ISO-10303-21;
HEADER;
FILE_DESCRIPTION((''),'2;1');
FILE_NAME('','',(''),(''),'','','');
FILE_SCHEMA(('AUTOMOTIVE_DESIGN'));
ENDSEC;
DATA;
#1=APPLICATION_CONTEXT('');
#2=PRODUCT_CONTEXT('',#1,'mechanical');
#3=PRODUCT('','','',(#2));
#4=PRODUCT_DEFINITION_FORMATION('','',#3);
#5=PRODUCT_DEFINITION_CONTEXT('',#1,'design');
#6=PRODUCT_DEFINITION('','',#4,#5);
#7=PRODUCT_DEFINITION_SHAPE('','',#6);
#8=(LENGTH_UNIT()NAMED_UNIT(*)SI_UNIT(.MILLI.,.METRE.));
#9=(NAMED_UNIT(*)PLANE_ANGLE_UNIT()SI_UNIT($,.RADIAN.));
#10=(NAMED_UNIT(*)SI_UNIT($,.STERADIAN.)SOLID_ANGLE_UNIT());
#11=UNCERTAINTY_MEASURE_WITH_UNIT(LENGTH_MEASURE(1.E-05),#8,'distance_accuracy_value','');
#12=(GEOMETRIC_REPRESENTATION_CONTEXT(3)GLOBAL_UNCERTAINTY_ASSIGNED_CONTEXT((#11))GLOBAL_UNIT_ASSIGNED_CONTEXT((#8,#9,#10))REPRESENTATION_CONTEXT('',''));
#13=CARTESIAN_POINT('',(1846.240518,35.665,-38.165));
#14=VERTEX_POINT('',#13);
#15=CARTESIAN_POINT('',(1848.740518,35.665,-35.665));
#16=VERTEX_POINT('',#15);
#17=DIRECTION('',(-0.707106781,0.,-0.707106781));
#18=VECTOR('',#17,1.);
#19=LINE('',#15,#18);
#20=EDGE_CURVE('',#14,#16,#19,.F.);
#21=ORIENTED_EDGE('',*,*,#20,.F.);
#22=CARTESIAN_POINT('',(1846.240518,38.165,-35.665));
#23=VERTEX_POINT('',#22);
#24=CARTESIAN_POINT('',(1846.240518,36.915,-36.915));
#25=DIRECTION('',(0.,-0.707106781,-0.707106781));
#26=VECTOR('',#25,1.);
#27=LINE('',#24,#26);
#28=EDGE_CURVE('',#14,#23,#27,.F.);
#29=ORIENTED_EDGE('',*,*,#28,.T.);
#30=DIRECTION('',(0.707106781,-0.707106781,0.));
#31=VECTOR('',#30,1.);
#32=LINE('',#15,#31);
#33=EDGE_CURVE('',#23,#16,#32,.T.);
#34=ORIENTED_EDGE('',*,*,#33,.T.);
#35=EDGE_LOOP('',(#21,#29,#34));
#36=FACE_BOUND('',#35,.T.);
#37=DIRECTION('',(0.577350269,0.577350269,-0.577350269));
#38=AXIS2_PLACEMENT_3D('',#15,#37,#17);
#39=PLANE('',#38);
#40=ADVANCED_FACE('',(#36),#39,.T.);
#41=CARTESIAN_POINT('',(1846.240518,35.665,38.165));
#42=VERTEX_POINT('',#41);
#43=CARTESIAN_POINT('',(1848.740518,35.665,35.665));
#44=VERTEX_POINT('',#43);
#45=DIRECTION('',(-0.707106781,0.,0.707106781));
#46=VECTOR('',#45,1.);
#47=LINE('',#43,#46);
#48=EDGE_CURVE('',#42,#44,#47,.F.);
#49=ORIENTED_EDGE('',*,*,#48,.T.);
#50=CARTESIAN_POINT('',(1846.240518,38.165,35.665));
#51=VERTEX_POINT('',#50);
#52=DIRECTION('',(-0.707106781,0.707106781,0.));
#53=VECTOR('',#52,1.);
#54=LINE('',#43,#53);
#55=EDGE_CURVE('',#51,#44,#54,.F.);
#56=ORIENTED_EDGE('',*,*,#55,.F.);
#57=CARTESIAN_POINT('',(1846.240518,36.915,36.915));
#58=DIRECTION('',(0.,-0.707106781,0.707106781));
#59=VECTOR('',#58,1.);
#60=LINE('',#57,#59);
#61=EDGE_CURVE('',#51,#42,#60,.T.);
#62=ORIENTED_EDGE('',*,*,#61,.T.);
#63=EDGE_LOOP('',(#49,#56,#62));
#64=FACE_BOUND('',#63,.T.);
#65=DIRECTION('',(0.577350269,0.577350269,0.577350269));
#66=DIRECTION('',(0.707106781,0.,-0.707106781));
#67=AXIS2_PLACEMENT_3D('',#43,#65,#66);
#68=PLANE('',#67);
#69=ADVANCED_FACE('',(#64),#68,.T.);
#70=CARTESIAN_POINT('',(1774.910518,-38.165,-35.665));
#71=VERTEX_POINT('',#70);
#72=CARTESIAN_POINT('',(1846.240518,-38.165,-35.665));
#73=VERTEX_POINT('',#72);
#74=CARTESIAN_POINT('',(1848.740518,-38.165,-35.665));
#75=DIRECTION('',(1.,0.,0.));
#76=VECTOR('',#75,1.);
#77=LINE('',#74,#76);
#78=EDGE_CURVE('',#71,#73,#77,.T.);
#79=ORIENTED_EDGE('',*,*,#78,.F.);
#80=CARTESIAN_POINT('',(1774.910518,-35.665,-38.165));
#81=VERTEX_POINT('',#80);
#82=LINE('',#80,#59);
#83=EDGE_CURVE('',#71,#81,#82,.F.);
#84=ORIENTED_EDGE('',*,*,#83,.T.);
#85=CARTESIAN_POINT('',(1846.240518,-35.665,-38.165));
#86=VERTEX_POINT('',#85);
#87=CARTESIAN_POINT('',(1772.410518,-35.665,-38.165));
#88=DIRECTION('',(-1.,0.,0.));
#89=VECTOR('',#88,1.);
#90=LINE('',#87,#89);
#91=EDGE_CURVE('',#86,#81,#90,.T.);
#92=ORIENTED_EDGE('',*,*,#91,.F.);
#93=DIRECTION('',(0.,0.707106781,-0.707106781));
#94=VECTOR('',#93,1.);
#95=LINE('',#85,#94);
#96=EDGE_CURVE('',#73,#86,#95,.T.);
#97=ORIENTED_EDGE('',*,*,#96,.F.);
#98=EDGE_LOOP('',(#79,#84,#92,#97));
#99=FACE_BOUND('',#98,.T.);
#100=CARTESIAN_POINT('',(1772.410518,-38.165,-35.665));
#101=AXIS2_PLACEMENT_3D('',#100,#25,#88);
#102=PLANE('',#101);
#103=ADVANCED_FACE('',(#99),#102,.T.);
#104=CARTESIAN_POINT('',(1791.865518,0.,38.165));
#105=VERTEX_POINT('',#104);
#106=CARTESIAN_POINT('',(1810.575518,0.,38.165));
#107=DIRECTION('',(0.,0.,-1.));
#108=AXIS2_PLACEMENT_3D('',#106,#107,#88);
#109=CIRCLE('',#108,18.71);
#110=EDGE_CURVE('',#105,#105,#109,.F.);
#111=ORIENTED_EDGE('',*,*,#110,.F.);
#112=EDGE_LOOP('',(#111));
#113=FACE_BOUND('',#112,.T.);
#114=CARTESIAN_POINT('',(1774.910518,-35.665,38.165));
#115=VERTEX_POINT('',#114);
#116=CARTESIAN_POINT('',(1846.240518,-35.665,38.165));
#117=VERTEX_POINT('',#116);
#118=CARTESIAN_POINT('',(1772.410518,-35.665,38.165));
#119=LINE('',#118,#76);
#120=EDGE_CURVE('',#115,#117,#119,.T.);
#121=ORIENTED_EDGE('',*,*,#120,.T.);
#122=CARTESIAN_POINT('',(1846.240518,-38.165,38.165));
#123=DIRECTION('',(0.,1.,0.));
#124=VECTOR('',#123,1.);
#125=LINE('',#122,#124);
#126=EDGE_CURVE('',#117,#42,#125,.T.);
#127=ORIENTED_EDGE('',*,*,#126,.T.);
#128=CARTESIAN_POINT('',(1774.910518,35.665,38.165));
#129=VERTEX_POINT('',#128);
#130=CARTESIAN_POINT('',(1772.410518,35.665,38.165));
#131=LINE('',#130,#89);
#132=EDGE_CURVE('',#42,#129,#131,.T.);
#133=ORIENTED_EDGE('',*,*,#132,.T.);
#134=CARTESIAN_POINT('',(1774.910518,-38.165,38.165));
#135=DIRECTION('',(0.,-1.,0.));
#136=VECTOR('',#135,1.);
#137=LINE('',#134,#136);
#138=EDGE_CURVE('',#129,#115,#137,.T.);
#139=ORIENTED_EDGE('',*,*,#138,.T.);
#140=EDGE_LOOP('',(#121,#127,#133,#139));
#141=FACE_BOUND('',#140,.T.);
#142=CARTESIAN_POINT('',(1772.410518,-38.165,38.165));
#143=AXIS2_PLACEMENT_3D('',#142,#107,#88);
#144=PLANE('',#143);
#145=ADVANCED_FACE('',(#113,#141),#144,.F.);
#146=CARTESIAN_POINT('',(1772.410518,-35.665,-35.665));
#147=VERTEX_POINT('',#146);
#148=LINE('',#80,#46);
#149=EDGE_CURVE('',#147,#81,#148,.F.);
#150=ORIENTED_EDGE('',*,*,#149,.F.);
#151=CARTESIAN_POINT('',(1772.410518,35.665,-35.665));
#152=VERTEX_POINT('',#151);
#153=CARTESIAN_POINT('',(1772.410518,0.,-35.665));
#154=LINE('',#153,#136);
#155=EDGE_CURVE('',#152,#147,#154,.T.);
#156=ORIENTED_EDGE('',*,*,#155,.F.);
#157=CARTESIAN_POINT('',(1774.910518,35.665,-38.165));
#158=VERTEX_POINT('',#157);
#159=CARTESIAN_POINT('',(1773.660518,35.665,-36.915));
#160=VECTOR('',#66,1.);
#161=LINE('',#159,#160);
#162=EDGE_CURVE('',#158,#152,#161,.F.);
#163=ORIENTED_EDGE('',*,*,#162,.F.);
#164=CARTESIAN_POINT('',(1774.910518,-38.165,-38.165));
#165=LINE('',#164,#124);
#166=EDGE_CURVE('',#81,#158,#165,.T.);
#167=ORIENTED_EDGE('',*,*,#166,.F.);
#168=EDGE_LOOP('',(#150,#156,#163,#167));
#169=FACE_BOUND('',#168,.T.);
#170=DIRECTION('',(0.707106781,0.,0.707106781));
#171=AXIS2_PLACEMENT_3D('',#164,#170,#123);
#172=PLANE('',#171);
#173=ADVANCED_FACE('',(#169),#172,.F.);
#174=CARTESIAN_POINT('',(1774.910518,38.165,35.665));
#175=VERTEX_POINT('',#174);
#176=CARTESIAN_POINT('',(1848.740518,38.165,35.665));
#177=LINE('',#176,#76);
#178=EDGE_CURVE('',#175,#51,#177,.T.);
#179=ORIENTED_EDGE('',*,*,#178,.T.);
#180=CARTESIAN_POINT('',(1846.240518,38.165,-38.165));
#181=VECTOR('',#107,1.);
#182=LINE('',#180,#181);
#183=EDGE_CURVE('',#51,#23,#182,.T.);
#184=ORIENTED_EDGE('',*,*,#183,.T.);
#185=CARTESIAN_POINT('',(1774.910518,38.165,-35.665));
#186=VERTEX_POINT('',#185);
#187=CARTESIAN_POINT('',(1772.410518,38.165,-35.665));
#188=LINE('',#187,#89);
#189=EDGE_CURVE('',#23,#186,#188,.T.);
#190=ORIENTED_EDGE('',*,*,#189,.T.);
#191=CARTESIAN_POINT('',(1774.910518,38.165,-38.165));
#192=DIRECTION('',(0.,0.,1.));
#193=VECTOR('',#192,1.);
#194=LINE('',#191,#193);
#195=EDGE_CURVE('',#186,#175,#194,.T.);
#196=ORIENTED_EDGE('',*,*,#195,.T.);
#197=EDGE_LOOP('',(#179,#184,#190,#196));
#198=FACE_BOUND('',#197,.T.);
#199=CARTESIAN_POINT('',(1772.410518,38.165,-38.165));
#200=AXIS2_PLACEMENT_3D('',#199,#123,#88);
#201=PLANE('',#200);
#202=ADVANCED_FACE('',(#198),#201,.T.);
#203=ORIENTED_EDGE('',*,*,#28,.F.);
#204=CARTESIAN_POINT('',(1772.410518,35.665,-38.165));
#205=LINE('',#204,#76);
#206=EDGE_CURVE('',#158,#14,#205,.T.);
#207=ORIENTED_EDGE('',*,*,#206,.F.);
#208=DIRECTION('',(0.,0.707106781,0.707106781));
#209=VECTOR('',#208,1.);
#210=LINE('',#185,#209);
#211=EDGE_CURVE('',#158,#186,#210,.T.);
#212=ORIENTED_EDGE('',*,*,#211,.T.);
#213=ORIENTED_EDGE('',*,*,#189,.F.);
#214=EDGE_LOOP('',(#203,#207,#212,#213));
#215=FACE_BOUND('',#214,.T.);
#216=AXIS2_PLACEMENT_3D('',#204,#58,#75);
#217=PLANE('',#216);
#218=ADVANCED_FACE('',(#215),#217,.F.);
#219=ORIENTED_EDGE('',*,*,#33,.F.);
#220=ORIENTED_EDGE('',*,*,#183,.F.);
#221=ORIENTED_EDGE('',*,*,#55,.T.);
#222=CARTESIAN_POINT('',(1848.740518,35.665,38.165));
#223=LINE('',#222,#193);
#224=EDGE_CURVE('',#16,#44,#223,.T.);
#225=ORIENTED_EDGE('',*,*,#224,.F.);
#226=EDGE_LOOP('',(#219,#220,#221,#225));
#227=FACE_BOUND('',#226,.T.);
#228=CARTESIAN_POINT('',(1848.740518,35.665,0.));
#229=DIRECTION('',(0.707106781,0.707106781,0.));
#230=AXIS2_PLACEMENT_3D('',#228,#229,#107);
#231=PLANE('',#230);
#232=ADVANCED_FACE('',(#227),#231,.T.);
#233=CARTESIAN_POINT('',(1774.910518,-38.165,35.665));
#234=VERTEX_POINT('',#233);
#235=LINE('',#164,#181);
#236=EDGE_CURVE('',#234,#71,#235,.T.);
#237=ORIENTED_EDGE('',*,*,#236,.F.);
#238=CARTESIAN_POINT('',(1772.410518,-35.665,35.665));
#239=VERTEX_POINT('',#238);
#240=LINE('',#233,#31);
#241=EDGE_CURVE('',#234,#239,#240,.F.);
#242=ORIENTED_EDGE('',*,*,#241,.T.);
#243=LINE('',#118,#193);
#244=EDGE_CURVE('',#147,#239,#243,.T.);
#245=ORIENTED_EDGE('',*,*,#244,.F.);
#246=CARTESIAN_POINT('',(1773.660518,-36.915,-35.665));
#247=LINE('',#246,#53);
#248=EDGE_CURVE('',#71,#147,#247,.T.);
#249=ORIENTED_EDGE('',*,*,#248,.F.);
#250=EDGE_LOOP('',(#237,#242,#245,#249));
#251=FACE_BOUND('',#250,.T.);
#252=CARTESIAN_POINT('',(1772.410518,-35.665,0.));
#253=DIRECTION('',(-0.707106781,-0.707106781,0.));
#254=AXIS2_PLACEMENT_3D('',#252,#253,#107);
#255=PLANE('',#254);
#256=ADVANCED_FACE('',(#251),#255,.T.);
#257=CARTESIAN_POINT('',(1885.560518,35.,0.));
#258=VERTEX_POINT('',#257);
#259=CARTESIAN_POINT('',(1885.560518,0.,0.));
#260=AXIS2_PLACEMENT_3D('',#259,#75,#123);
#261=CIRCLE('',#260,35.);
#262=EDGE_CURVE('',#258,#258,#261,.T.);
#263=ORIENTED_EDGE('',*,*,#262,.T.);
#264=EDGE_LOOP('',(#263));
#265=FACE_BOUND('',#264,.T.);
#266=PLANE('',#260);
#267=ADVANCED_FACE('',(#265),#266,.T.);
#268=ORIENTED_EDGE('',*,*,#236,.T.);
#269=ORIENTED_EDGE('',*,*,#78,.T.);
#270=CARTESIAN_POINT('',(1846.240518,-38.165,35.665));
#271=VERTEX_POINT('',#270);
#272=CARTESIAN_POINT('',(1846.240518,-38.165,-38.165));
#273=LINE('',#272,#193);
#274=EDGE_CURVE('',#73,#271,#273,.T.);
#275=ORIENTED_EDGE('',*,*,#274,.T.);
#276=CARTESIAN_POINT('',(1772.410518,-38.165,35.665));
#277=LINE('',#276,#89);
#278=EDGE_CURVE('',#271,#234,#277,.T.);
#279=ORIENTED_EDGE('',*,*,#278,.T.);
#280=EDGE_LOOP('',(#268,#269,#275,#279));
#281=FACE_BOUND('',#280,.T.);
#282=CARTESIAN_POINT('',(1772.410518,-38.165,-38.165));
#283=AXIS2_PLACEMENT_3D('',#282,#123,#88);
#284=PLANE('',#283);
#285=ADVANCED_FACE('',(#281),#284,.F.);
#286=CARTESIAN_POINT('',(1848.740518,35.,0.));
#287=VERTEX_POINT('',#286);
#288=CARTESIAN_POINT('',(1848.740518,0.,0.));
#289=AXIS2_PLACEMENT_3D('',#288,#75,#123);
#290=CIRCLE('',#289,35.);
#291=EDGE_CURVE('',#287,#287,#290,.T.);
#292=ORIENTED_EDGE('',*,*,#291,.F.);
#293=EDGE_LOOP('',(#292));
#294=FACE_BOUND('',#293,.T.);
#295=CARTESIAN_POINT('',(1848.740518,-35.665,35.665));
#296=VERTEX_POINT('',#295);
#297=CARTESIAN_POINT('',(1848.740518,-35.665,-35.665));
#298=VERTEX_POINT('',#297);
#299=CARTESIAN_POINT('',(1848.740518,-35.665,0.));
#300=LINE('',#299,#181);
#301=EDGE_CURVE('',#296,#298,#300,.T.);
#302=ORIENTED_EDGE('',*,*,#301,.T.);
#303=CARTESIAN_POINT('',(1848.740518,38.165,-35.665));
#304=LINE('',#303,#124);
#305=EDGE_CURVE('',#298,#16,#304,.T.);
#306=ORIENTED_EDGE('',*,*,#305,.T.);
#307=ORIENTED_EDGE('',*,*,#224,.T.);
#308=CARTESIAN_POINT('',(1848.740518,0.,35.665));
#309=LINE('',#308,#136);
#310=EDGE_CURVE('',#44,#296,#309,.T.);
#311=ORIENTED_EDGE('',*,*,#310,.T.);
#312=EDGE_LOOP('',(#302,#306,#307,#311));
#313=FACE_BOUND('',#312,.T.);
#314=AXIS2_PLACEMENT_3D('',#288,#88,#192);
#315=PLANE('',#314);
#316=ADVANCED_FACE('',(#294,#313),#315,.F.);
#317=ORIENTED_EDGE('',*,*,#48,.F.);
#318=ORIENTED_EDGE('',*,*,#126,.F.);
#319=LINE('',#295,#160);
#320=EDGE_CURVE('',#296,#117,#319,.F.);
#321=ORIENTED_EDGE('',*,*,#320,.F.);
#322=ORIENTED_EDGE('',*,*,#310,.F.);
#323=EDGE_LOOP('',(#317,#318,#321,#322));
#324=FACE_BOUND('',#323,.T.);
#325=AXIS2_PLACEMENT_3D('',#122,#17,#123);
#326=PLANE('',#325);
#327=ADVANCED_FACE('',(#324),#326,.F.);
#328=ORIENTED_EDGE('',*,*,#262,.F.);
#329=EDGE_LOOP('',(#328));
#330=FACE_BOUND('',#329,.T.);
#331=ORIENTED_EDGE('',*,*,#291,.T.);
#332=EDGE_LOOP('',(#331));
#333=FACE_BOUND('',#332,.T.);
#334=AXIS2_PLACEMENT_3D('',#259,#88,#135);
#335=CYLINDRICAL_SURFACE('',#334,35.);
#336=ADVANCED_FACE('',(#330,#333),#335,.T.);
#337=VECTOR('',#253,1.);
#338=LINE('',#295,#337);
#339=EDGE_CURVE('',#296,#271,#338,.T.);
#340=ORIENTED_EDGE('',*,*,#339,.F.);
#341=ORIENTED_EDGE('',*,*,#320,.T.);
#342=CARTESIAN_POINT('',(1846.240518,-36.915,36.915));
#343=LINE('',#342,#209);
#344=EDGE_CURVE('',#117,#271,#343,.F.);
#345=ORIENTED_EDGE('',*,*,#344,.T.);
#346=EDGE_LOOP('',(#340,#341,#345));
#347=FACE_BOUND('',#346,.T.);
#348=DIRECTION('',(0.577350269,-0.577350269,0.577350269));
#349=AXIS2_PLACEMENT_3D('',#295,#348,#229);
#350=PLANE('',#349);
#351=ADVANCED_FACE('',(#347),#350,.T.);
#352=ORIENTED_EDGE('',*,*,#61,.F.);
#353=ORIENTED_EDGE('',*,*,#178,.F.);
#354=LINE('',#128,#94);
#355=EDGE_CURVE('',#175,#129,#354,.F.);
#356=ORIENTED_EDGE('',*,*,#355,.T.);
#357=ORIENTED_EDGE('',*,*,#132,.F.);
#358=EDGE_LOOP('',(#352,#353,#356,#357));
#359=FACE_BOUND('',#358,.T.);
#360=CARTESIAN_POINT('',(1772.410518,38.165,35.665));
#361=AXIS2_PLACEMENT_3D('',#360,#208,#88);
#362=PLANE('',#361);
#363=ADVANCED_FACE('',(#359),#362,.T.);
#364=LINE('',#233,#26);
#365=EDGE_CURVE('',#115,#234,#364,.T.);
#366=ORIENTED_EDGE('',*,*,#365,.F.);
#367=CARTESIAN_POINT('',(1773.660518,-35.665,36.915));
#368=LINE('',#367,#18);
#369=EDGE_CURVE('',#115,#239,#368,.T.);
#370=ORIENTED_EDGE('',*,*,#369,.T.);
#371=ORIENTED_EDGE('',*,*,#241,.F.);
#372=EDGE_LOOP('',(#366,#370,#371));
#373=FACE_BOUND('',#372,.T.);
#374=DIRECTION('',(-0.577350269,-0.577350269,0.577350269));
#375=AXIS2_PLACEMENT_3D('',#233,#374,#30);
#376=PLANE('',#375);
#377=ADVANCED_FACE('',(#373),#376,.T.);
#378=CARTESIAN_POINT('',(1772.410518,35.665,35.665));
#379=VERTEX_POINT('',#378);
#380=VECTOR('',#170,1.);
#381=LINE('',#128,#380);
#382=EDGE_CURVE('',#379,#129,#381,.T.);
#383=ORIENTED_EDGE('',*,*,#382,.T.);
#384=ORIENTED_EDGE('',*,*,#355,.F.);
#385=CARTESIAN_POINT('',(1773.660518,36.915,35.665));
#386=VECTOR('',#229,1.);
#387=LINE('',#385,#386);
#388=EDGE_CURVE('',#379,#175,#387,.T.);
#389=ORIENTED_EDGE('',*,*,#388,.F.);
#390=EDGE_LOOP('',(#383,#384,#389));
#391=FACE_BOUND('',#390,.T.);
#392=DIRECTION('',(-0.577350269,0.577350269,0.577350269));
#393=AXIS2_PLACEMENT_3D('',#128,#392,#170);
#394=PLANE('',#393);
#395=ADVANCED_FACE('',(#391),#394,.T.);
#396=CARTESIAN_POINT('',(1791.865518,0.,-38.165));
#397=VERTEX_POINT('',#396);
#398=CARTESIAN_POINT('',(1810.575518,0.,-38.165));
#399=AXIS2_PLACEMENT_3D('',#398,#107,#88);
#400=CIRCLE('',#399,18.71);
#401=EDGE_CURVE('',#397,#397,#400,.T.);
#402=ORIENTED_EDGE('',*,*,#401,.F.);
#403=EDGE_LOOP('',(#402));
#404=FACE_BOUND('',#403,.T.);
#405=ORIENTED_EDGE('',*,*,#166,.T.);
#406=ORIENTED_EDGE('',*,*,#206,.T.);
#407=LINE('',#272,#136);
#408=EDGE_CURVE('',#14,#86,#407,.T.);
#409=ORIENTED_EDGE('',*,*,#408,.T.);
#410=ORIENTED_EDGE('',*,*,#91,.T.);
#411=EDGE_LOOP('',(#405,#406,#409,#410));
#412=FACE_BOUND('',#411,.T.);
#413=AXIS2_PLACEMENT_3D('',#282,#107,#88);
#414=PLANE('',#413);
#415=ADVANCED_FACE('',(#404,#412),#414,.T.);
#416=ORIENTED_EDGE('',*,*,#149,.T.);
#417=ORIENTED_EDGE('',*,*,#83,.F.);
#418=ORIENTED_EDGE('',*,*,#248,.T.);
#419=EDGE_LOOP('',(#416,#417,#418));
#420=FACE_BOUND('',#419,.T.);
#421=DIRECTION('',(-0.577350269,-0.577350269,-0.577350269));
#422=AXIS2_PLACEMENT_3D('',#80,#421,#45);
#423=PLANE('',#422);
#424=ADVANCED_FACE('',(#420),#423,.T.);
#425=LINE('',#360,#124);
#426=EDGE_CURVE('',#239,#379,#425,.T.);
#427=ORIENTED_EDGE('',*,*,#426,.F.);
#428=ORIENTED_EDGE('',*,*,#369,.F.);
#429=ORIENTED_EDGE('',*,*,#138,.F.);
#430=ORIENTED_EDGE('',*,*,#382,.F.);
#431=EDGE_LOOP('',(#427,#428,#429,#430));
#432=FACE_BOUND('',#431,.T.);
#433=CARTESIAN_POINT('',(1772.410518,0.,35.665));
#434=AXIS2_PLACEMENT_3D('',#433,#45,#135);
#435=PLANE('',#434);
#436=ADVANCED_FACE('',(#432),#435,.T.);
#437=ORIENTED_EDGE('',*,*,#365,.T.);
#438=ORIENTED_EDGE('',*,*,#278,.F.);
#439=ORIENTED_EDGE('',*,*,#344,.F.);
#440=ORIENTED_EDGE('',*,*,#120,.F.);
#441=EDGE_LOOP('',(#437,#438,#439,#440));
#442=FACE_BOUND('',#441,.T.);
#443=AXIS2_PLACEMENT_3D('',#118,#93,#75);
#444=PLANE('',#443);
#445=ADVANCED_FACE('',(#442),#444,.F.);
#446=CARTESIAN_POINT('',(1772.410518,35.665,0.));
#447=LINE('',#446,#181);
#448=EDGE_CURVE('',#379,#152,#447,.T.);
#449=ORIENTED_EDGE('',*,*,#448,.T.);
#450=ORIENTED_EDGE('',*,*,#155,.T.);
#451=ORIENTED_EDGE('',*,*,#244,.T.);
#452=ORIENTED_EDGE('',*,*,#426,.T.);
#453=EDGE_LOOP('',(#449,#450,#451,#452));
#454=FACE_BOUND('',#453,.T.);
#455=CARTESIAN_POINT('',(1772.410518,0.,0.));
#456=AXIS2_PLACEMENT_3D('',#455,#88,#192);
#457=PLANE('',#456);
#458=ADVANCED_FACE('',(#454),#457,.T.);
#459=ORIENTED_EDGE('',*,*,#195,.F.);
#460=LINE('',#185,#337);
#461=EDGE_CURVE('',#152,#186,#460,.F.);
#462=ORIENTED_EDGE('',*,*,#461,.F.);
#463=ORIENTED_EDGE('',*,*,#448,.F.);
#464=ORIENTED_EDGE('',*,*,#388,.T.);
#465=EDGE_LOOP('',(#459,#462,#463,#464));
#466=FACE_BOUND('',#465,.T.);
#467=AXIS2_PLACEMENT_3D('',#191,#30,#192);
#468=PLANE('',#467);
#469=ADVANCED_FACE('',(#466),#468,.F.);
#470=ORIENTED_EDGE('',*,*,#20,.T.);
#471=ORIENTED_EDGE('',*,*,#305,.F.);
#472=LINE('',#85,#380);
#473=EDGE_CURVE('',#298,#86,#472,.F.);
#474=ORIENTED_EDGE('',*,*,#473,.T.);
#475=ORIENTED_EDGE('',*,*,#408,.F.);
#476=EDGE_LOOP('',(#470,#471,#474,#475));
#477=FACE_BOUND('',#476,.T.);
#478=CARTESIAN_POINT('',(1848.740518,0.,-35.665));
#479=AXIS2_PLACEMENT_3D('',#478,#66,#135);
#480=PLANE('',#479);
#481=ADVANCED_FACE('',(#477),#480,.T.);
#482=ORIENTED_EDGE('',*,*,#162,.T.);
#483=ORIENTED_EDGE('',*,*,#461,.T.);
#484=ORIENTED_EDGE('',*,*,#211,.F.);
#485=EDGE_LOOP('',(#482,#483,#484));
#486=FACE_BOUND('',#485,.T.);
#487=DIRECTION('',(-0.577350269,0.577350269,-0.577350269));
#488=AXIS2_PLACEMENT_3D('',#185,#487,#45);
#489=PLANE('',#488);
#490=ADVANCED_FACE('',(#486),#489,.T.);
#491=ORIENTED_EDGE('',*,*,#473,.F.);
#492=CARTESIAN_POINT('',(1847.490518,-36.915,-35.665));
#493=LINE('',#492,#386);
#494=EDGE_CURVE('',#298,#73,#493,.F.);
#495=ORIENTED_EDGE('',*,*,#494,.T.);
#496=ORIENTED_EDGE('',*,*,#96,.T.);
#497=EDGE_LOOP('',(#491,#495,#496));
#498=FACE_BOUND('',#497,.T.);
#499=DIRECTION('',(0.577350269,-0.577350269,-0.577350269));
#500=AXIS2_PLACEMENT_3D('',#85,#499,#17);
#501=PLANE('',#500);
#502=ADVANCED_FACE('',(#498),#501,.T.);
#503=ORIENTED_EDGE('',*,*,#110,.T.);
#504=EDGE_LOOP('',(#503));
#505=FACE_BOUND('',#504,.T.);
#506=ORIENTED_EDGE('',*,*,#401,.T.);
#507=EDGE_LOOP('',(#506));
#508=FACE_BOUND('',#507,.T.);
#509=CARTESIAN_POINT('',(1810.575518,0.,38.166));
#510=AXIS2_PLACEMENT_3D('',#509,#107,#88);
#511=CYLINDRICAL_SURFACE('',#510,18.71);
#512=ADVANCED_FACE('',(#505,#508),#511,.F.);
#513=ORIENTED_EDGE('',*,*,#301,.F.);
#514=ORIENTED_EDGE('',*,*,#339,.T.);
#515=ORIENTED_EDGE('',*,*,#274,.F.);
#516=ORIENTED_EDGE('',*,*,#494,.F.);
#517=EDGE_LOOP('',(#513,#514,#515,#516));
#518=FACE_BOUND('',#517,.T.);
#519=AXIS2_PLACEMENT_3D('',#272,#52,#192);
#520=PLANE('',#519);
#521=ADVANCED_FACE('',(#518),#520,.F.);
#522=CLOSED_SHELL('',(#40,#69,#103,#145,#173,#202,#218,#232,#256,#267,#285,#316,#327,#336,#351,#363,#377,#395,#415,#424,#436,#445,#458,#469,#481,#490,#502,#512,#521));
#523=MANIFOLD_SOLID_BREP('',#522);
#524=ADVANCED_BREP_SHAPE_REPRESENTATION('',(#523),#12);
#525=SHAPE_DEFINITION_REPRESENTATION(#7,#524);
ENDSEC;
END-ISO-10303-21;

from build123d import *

# Parameters (mm, degrees)
SKETCH1_W           = 76.33
SKETCH1_H           = 76.33
BOSS_EXTRUDE1_DEPTH = 76.33
SKETCH2_R           = 35
BOSS_EXTRUDE2_DEPTH = 36.82
CHAMFER1_SIZE       = 2.5
CUT_EXTRUDE1_REACH  = 78.33
SKETCH3_R           = 18.71


with BuildPart() as part:
    # Sketch1 → Boss-Extrude1 (new body)
    with BuildSketch(Plane.ZY.offset(-1848.740517551)):
        Rectangle(SKETCH1_W, SKETCH1_H)
    extrude(amount=BOSS_EXTRUDE1_DEPTH)

    # Sketch2 → Boss-Extrude2 (add)
    with BuildSketch(Plane(origin=(1848.740517551, 0, 0), x_dir=(0, 0, -1), z_dir=(1, 0, 0))):
        Circle(SKETCH2_R)
    extrude(amount=BOSS_EXTRUDE2_DEPTH)

    # Chamfer1
    chamfer1_edges = [part.edges().sort_by_distance(p)[0] for p in [
        (1772.410517551, -38.165, 0),
        (1772.410517551, 0, -38.165),
        (1772.410517551, 38.165, 0),
        (1848.740517551, 0, -38.165),
        (1848.740517551, -38.165, 0),
        (1848.740517551, 0, 38.165),
        (1848.740517551, 38.165, 0),
        (1772.410517551, 0, 38.165),
        (1810.575517551, 38.165, -38.165),
        (1810.575517551, -38.165, -38.165),
        (1810.575517551, -38.165, 38.165),
        (1810.575517551, 38.165, 38.165),
    ]]
    chamfer(chamfer1_edges, length=CHAMFER1_SIZE)

    # Sketch3 → Cut-Extrude1 (cut, up to next)
    with BuildSketch(Plane(origin=(0, 0, -38.165), x_dir=(-1, 0, 0), z_dir=(0, 0, -1)), mode=Mode.PRIVATE) as cut_extrude1_sk1:
        with Locations((-1810.575517551, 0)):
            Circle(SKETCH3_R)
    cut_extrude1_tool1 = extrude(cut_extrude1_sk1.sketch, amount=-CUT_EXTRUDE1_REACH, mode=Mode.PRIVATE) & part.part
    add(cut_extrude1_tool1.solids().sort_by_distance((1810.575518, 0, -38.165))[0], mode=Mode.SUBTRACT)


solid = part.part
